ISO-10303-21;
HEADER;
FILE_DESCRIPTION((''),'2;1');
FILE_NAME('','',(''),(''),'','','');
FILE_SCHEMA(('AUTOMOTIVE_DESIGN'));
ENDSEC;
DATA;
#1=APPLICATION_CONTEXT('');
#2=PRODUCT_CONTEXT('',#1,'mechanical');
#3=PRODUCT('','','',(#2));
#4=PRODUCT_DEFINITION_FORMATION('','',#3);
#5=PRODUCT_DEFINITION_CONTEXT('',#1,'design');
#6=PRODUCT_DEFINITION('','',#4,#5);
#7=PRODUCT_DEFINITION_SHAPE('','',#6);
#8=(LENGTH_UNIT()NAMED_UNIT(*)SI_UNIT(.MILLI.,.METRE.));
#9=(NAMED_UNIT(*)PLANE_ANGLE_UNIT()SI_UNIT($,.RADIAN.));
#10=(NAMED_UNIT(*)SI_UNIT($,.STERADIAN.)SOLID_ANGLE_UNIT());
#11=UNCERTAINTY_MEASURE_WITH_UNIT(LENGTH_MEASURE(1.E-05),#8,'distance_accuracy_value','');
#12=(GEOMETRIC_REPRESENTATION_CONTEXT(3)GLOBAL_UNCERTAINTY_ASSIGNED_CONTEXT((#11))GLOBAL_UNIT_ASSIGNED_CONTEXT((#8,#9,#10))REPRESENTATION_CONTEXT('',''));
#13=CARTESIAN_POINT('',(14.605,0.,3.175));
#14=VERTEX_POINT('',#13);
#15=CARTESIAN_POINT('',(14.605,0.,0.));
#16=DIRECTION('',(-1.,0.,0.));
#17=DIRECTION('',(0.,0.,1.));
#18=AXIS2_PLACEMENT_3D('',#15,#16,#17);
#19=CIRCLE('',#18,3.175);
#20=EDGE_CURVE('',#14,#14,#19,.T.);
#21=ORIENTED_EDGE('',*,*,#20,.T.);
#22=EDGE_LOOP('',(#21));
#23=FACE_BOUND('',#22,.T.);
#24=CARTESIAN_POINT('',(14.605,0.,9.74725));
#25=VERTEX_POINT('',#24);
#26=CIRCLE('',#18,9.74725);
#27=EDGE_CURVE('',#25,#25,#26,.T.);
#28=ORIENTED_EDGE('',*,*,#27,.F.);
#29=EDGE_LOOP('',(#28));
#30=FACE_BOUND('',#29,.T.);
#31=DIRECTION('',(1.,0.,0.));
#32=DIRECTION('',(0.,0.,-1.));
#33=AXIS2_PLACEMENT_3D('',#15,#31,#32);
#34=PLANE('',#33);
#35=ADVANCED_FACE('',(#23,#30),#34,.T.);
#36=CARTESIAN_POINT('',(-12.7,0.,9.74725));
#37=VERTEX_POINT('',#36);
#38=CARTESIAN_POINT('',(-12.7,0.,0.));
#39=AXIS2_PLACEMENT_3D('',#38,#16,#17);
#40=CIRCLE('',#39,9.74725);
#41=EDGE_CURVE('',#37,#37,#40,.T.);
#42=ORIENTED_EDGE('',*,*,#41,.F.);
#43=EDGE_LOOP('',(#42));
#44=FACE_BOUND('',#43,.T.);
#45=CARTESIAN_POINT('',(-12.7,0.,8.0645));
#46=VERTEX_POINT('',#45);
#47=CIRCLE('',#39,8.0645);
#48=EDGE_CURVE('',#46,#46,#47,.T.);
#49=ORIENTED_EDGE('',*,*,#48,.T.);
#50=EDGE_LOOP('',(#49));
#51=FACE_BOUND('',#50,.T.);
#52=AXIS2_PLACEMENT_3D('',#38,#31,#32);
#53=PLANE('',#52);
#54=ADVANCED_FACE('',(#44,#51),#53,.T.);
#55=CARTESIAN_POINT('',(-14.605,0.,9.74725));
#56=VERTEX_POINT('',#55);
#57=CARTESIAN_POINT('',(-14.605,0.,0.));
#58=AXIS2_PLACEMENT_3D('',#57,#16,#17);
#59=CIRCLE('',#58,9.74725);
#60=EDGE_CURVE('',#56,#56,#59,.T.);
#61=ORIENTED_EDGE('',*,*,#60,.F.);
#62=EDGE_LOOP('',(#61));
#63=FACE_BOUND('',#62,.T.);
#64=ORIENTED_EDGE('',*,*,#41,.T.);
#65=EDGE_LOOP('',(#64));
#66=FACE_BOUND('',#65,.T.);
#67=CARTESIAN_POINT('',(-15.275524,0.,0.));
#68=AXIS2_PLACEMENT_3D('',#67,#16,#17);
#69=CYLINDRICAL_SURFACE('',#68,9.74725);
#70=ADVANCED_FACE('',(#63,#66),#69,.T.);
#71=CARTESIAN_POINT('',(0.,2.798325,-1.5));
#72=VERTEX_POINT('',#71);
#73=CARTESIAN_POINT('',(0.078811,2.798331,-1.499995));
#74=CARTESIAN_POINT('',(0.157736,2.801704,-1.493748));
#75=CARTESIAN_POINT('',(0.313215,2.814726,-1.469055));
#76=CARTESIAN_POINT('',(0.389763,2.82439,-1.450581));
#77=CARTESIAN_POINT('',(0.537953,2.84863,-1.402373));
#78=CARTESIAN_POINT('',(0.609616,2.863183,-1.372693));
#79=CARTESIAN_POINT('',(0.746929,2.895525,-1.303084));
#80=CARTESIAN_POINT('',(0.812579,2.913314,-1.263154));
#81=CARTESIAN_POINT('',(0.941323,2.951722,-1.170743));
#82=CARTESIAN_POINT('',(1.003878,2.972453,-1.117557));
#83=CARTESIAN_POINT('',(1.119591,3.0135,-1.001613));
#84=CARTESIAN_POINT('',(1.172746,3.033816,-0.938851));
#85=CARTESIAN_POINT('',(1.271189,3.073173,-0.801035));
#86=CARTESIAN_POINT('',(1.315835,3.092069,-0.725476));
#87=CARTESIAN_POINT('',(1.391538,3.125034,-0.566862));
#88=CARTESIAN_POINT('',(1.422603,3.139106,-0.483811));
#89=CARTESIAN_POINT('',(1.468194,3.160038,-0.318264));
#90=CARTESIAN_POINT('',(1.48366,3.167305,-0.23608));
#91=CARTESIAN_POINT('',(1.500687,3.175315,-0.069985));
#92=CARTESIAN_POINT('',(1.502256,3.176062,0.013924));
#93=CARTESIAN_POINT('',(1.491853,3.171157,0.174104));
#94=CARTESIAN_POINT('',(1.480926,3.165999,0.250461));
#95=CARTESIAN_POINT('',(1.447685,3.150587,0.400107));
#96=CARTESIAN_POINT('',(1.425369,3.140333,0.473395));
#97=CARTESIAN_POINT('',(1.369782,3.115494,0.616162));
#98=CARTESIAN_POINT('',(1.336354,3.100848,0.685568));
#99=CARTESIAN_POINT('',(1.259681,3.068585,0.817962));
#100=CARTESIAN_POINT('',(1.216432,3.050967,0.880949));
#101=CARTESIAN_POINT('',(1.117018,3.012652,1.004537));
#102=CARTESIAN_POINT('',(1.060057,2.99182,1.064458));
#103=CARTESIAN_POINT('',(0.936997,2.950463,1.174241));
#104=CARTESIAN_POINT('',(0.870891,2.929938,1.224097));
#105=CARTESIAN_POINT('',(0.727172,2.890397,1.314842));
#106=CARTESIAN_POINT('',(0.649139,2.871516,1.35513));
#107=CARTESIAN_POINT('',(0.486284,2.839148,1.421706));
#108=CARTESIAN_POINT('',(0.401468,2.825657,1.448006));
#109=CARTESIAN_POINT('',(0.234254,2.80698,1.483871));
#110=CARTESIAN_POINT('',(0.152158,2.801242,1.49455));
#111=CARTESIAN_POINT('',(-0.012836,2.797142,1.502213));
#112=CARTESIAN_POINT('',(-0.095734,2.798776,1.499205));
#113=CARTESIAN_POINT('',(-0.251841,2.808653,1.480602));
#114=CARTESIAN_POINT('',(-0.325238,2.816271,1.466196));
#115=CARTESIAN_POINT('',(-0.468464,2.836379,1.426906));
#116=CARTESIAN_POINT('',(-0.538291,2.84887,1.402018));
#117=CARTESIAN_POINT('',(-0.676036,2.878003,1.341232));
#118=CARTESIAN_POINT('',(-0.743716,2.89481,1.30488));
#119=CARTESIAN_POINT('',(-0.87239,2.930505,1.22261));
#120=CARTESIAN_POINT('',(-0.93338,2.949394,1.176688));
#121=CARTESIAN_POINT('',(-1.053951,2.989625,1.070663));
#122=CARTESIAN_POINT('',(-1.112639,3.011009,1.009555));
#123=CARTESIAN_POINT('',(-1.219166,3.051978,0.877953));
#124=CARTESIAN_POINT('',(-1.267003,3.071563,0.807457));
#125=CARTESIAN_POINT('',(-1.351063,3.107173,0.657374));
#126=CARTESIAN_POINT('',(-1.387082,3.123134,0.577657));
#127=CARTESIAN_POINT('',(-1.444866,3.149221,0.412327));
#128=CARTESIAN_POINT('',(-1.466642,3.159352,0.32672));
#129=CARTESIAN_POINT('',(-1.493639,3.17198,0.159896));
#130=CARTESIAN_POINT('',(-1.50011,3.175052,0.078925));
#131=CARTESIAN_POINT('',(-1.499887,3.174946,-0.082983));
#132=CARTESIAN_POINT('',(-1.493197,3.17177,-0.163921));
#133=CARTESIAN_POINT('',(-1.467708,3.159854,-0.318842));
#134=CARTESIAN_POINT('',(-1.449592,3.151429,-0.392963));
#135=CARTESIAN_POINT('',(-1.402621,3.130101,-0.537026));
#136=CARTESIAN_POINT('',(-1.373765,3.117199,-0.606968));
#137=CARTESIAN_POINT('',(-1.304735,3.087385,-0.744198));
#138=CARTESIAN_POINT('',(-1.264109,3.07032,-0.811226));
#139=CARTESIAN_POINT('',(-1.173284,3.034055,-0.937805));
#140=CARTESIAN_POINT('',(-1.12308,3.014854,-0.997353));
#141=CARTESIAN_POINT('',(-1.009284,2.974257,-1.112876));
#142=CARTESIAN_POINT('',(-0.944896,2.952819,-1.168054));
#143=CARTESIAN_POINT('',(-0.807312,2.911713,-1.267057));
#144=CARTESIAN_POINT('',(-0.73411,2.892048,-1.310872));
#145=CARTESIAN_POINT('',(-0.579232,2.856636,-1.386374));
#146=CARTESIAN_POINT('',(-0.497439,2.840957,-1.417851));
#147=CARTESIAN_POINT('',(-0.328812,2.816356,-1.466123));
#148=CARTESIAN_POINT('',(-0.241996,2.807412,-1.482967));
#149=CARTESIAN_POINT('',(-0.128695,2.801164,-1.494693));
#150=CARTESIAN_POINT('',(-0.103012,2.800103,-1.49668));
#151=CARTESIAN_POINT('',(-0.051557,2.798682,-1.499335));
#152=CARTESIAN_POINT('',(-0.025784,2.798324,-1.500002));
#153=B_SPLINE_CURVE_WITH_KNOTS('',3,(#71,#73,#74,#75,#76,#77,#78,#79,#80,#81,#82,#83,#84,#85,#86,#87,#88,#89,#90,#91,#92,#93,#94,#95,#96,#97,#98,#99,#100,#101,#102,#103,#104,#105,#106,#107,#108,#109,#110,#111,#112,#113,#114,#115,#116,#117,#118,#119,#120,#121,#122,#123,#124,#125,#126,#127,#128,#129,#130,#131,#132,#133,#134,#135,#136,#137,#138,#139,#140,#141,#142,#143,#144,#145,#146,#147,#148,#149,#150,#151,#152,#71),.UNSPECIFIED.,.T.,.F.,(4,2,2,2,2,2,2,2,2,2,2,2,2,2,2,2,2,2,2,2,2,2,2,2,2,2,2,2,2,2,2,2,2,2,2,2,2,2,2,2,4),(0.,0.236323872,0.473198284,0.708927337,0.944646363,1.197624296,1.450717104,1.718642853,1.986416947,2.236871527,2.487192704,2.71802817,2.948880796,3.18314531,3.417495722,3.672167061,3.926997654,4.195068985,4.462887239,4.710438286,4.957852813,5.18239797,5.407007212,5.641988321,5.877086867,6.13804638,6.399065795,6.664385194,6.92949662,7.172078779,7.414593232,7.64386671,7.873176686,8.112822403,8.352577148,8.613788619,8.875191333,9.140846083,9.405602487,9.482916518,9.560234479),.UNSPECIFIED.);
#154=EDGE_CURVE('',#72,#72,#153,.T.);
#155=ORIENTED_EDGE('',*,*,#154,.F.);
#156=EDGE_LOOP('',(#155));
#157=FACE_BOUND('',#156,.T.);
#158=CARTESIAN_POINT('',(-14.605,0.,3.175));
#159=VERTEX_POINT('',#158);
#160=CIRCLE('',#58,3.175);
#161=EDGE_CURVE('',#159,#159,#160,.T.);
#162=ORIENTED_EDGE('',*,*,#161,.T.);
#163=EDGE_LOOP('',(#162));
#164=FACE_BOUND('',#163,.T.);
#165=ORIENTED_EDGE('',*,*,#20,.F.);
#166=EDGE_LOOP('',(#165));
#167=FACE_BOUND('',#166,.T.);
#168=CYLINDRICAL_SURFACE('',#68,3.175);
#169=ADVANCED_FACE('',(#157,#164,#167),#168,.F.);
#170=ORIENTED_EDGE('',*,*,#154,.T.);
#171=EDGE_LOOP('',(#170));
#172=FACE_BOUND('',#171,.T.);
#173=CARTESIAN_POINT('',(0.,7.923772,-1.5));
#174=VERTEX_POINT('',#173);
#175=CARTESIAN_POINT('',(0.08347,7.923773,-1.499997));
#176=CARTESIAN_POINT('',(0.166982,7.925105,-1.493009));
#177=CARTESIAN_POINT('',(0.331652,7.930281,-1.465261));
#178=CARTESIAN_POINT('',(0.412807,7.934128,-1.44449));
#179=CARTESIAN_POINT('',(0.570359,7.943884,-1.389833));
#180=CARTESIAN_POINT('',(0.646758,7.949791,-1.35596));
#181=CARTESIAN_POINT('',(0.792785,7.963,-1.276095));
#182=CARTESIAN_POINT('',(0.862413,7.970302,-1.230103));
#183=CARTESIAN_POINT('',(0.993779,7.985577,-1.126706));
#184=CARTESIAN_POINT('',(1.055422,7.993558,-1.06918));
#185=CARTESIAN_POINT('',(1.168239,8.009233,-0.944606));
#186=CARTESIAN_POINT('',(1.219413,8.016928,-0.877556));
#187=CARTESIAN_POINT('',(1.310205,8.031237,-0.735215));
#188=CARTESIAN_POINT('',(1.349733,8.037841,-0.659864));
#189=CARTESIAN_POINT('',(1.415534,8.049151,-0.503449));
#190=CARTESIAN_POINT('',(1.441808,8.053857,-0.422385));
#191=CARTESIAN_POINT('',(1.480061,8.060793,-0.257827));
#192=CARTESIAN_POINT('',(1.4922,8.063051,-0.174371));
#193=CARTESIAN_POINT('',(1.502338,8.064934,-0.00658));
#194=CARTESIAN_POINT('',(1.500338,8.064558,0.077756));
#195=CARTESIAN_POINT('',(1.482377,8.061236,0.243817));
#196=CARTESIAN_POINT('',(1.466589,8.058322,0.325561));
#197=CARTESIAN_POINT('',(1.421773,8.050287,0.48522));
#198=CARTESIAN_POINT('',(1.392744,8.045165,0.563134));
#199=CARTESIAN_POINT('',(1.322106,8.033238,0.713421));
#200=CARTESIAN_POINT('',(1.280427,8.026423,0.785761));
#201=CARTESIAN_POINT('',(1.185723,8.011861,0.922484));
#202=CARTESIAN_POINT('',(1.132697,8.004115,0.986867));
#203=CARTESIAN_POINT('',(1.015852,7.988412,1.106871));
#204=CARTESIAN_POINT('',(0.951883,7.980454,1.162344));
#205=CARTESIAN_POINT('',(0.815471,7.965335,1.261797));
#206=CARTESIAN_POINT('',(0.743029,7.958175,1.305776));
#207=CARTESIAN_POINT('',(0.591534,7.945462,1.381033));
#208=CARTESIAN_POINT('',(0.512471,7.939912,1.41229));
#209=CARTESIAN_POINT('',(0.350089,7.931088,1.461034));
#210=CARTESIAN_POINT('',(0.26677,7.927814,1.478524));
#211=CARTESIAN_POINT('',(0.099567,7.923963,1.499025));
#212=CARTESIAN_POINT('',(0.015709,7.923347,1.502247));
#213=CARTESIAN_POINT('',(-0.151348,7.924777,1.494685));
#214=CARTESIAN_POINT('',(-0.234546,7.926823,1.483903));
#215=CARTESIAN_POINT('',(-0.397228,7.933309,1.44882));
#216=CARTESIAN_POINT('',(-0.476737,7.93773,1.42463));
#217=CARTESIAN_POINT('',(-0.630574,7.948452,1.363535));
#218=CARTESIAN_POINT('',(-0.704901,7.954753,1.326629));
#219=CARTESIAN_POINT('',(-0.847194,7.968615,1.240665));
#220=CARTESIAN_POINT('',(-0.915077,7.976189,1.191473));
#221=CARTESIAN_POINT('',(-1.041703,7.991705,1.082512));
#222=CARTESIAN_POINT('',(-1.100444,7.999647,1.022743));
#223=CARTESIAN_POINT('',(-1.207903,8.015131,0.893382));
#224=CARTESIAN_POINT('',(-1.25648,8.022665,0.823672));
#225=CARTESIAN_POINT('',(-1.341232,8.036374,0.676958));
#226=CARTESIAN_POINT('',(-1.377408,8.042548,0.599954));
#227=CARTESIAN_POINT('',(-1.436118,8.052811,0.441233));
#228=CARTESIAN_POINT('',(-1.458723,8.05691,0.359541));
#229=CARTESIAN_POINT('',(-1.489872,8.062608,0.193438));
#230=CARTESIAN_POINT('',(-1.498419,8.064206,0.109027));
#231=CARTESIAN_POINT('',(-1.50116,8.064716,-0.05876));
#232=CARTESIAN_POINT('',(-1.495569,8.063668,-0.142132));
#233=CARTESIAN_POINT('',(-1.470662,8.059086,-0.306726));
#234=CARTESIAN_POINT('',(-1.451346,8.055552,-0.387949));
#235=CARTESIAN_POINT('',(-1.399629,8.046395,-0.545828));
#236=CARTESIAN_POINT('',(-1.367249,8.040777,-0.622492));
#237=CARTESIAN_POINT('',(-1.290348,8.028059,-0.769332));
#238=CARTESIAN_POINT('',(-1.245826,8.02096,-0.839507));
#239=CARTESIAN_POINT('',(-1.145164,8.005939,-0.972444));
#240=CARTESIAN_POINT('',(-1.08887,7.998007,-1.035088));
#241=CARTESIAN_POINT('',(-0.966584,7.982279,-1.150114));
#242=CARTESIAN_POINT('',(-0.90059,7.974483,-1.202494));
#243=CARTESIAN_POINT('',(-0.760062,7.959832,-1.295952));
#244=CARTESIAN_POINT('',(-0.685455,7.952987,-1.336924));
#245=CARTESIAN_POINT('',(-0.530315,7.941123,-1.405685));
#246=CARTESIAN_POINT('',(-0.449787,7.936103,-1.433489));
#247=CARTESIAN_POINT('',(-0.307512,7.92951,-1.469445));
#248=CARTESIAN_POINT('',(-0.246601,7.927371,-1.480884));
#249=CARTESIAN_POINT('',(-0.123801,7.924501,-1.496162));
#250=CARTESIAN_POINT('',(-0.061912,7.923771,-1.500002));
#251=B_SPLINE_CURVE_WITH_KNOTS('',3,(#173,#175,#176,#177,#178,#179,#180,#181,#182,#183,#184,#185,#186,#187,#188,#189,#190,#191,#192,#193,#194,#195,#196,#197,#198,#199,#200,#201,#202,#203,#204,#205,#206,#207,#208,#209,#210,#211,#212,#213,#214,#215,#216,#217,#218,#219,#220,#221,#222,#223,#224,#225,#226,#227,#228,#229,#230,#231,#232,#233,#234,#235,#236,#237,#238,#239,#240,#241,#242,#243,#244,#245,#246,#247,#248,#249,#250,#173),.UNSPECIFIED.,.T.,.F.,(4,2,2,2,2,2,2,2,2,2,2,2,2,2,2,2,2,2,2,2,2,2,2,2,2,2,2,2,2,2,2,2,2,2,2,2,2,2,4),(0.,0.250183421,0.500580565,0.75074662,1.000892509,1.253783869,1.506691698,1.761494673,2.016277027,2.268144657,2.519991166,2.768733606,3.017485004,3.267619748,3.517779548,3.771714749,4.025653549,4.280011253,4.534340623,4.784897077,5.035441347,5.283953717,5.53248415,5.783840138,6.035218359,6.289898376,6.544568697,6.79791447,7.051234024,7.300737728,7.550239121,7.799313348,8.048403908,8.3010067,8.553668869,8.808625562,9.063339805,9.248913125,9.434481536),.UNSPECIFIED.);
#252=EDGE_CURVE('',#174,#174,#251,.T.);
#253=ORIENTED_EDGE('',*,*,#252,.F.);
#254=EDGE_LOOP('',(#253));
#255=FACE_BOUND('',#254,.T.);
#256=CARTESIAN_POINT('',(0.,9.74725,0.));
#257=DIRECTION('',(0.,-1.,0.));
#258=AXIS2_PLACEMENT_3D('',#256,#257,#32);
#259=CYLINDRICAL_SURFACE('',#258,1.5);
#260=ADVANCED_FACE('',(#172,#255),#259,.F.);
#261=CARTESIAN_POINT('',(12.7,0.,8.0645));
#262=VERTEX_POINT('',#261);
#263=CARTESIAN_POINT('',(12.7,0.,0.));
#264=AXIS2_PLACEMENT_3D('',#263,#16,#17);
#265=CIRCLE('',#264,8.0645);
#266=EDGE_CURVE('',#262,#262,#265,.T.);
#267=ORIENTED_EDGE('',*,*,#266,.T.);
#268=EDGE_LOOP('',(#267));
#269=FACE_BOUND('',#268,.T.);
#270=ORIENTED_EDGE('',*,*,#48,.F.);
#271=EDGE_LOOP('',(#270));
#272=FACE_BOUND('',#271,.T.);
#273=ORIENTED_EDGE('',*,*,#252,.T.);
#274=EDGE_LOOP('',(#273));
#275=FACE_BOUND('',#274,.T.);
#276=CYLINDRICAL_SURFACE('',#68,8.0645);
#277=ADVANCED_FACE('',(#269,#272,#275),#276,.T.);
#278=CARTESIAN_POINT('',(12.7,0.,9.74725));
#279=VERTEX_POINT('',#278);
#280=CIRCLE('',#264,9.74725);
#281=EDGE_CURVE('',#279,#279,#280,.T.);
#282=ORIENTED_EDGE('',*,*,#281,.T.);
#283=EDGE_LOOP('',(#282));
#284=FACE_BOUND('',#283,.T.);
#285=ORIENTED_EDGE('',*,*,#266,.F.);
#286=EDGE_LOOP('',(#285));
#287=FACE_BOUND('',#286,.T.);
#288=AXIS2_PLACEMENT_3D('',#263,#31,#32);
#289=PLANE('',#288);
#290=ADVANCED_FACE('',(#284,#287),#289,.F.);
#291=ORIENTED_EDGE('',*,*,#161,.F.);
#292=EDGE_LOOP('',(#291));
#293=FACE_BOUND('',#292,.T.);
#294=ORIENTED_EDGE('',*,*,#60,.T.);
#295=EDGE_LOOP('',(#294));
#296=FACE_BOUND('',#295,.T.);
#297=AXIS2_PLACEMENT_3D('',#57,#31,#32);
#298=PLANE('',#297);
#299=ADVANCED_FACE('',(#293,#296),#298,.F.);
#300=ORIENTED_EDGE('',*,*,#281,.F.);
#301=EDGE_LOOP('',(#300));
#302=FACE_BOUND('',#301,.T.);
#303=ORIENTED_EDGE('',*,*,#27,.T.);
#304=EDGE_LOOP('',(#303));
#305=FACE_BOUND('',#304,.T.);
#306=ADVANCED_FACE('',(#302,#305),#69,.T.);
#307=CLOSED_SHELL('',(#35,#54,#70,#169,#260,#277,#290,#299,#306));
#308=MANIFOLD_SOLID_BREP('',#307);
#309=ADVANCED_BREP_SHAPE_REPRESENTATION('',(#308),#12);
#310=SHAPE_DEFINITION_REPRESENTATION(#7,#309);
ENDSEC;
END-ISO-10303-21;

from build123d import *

# Parameters (mm, degrees)
SKETCH2_R          = 1.5
CUT_EXTRUDE1_DEPTH = 21.082922848


with BuildPart() as part:
    # Sketch1 → Revolve1 (revolve)
    with BuildSketch(Plane.XY):
        Polygon((14.605, 3.175), (14.605, 9.74725), (12.7, 9.74725), (12.7, 8.0645), (-12.7, 8.0645), (-12.7, 9.74725), (-14.605, 9.74725), (-14.605, 3.175), align=None)
    revolve(axis=Axis((-15.275524476, 0, 0), (1, 0, 0)))

    # Sketch2 → Cut-Extrude1 (cut, through all)
    with BuildSketch(Plane(origin=(0, 0, 0), x_dir=(1, 0, 0), z_dir=(0, 1, 0))):
        Circle(SKETCH2_R)
    extrude(amount=CUT_EXTRUDE1_DEPTH, mode=Mode.SUBTRACT)


solid = part.part
